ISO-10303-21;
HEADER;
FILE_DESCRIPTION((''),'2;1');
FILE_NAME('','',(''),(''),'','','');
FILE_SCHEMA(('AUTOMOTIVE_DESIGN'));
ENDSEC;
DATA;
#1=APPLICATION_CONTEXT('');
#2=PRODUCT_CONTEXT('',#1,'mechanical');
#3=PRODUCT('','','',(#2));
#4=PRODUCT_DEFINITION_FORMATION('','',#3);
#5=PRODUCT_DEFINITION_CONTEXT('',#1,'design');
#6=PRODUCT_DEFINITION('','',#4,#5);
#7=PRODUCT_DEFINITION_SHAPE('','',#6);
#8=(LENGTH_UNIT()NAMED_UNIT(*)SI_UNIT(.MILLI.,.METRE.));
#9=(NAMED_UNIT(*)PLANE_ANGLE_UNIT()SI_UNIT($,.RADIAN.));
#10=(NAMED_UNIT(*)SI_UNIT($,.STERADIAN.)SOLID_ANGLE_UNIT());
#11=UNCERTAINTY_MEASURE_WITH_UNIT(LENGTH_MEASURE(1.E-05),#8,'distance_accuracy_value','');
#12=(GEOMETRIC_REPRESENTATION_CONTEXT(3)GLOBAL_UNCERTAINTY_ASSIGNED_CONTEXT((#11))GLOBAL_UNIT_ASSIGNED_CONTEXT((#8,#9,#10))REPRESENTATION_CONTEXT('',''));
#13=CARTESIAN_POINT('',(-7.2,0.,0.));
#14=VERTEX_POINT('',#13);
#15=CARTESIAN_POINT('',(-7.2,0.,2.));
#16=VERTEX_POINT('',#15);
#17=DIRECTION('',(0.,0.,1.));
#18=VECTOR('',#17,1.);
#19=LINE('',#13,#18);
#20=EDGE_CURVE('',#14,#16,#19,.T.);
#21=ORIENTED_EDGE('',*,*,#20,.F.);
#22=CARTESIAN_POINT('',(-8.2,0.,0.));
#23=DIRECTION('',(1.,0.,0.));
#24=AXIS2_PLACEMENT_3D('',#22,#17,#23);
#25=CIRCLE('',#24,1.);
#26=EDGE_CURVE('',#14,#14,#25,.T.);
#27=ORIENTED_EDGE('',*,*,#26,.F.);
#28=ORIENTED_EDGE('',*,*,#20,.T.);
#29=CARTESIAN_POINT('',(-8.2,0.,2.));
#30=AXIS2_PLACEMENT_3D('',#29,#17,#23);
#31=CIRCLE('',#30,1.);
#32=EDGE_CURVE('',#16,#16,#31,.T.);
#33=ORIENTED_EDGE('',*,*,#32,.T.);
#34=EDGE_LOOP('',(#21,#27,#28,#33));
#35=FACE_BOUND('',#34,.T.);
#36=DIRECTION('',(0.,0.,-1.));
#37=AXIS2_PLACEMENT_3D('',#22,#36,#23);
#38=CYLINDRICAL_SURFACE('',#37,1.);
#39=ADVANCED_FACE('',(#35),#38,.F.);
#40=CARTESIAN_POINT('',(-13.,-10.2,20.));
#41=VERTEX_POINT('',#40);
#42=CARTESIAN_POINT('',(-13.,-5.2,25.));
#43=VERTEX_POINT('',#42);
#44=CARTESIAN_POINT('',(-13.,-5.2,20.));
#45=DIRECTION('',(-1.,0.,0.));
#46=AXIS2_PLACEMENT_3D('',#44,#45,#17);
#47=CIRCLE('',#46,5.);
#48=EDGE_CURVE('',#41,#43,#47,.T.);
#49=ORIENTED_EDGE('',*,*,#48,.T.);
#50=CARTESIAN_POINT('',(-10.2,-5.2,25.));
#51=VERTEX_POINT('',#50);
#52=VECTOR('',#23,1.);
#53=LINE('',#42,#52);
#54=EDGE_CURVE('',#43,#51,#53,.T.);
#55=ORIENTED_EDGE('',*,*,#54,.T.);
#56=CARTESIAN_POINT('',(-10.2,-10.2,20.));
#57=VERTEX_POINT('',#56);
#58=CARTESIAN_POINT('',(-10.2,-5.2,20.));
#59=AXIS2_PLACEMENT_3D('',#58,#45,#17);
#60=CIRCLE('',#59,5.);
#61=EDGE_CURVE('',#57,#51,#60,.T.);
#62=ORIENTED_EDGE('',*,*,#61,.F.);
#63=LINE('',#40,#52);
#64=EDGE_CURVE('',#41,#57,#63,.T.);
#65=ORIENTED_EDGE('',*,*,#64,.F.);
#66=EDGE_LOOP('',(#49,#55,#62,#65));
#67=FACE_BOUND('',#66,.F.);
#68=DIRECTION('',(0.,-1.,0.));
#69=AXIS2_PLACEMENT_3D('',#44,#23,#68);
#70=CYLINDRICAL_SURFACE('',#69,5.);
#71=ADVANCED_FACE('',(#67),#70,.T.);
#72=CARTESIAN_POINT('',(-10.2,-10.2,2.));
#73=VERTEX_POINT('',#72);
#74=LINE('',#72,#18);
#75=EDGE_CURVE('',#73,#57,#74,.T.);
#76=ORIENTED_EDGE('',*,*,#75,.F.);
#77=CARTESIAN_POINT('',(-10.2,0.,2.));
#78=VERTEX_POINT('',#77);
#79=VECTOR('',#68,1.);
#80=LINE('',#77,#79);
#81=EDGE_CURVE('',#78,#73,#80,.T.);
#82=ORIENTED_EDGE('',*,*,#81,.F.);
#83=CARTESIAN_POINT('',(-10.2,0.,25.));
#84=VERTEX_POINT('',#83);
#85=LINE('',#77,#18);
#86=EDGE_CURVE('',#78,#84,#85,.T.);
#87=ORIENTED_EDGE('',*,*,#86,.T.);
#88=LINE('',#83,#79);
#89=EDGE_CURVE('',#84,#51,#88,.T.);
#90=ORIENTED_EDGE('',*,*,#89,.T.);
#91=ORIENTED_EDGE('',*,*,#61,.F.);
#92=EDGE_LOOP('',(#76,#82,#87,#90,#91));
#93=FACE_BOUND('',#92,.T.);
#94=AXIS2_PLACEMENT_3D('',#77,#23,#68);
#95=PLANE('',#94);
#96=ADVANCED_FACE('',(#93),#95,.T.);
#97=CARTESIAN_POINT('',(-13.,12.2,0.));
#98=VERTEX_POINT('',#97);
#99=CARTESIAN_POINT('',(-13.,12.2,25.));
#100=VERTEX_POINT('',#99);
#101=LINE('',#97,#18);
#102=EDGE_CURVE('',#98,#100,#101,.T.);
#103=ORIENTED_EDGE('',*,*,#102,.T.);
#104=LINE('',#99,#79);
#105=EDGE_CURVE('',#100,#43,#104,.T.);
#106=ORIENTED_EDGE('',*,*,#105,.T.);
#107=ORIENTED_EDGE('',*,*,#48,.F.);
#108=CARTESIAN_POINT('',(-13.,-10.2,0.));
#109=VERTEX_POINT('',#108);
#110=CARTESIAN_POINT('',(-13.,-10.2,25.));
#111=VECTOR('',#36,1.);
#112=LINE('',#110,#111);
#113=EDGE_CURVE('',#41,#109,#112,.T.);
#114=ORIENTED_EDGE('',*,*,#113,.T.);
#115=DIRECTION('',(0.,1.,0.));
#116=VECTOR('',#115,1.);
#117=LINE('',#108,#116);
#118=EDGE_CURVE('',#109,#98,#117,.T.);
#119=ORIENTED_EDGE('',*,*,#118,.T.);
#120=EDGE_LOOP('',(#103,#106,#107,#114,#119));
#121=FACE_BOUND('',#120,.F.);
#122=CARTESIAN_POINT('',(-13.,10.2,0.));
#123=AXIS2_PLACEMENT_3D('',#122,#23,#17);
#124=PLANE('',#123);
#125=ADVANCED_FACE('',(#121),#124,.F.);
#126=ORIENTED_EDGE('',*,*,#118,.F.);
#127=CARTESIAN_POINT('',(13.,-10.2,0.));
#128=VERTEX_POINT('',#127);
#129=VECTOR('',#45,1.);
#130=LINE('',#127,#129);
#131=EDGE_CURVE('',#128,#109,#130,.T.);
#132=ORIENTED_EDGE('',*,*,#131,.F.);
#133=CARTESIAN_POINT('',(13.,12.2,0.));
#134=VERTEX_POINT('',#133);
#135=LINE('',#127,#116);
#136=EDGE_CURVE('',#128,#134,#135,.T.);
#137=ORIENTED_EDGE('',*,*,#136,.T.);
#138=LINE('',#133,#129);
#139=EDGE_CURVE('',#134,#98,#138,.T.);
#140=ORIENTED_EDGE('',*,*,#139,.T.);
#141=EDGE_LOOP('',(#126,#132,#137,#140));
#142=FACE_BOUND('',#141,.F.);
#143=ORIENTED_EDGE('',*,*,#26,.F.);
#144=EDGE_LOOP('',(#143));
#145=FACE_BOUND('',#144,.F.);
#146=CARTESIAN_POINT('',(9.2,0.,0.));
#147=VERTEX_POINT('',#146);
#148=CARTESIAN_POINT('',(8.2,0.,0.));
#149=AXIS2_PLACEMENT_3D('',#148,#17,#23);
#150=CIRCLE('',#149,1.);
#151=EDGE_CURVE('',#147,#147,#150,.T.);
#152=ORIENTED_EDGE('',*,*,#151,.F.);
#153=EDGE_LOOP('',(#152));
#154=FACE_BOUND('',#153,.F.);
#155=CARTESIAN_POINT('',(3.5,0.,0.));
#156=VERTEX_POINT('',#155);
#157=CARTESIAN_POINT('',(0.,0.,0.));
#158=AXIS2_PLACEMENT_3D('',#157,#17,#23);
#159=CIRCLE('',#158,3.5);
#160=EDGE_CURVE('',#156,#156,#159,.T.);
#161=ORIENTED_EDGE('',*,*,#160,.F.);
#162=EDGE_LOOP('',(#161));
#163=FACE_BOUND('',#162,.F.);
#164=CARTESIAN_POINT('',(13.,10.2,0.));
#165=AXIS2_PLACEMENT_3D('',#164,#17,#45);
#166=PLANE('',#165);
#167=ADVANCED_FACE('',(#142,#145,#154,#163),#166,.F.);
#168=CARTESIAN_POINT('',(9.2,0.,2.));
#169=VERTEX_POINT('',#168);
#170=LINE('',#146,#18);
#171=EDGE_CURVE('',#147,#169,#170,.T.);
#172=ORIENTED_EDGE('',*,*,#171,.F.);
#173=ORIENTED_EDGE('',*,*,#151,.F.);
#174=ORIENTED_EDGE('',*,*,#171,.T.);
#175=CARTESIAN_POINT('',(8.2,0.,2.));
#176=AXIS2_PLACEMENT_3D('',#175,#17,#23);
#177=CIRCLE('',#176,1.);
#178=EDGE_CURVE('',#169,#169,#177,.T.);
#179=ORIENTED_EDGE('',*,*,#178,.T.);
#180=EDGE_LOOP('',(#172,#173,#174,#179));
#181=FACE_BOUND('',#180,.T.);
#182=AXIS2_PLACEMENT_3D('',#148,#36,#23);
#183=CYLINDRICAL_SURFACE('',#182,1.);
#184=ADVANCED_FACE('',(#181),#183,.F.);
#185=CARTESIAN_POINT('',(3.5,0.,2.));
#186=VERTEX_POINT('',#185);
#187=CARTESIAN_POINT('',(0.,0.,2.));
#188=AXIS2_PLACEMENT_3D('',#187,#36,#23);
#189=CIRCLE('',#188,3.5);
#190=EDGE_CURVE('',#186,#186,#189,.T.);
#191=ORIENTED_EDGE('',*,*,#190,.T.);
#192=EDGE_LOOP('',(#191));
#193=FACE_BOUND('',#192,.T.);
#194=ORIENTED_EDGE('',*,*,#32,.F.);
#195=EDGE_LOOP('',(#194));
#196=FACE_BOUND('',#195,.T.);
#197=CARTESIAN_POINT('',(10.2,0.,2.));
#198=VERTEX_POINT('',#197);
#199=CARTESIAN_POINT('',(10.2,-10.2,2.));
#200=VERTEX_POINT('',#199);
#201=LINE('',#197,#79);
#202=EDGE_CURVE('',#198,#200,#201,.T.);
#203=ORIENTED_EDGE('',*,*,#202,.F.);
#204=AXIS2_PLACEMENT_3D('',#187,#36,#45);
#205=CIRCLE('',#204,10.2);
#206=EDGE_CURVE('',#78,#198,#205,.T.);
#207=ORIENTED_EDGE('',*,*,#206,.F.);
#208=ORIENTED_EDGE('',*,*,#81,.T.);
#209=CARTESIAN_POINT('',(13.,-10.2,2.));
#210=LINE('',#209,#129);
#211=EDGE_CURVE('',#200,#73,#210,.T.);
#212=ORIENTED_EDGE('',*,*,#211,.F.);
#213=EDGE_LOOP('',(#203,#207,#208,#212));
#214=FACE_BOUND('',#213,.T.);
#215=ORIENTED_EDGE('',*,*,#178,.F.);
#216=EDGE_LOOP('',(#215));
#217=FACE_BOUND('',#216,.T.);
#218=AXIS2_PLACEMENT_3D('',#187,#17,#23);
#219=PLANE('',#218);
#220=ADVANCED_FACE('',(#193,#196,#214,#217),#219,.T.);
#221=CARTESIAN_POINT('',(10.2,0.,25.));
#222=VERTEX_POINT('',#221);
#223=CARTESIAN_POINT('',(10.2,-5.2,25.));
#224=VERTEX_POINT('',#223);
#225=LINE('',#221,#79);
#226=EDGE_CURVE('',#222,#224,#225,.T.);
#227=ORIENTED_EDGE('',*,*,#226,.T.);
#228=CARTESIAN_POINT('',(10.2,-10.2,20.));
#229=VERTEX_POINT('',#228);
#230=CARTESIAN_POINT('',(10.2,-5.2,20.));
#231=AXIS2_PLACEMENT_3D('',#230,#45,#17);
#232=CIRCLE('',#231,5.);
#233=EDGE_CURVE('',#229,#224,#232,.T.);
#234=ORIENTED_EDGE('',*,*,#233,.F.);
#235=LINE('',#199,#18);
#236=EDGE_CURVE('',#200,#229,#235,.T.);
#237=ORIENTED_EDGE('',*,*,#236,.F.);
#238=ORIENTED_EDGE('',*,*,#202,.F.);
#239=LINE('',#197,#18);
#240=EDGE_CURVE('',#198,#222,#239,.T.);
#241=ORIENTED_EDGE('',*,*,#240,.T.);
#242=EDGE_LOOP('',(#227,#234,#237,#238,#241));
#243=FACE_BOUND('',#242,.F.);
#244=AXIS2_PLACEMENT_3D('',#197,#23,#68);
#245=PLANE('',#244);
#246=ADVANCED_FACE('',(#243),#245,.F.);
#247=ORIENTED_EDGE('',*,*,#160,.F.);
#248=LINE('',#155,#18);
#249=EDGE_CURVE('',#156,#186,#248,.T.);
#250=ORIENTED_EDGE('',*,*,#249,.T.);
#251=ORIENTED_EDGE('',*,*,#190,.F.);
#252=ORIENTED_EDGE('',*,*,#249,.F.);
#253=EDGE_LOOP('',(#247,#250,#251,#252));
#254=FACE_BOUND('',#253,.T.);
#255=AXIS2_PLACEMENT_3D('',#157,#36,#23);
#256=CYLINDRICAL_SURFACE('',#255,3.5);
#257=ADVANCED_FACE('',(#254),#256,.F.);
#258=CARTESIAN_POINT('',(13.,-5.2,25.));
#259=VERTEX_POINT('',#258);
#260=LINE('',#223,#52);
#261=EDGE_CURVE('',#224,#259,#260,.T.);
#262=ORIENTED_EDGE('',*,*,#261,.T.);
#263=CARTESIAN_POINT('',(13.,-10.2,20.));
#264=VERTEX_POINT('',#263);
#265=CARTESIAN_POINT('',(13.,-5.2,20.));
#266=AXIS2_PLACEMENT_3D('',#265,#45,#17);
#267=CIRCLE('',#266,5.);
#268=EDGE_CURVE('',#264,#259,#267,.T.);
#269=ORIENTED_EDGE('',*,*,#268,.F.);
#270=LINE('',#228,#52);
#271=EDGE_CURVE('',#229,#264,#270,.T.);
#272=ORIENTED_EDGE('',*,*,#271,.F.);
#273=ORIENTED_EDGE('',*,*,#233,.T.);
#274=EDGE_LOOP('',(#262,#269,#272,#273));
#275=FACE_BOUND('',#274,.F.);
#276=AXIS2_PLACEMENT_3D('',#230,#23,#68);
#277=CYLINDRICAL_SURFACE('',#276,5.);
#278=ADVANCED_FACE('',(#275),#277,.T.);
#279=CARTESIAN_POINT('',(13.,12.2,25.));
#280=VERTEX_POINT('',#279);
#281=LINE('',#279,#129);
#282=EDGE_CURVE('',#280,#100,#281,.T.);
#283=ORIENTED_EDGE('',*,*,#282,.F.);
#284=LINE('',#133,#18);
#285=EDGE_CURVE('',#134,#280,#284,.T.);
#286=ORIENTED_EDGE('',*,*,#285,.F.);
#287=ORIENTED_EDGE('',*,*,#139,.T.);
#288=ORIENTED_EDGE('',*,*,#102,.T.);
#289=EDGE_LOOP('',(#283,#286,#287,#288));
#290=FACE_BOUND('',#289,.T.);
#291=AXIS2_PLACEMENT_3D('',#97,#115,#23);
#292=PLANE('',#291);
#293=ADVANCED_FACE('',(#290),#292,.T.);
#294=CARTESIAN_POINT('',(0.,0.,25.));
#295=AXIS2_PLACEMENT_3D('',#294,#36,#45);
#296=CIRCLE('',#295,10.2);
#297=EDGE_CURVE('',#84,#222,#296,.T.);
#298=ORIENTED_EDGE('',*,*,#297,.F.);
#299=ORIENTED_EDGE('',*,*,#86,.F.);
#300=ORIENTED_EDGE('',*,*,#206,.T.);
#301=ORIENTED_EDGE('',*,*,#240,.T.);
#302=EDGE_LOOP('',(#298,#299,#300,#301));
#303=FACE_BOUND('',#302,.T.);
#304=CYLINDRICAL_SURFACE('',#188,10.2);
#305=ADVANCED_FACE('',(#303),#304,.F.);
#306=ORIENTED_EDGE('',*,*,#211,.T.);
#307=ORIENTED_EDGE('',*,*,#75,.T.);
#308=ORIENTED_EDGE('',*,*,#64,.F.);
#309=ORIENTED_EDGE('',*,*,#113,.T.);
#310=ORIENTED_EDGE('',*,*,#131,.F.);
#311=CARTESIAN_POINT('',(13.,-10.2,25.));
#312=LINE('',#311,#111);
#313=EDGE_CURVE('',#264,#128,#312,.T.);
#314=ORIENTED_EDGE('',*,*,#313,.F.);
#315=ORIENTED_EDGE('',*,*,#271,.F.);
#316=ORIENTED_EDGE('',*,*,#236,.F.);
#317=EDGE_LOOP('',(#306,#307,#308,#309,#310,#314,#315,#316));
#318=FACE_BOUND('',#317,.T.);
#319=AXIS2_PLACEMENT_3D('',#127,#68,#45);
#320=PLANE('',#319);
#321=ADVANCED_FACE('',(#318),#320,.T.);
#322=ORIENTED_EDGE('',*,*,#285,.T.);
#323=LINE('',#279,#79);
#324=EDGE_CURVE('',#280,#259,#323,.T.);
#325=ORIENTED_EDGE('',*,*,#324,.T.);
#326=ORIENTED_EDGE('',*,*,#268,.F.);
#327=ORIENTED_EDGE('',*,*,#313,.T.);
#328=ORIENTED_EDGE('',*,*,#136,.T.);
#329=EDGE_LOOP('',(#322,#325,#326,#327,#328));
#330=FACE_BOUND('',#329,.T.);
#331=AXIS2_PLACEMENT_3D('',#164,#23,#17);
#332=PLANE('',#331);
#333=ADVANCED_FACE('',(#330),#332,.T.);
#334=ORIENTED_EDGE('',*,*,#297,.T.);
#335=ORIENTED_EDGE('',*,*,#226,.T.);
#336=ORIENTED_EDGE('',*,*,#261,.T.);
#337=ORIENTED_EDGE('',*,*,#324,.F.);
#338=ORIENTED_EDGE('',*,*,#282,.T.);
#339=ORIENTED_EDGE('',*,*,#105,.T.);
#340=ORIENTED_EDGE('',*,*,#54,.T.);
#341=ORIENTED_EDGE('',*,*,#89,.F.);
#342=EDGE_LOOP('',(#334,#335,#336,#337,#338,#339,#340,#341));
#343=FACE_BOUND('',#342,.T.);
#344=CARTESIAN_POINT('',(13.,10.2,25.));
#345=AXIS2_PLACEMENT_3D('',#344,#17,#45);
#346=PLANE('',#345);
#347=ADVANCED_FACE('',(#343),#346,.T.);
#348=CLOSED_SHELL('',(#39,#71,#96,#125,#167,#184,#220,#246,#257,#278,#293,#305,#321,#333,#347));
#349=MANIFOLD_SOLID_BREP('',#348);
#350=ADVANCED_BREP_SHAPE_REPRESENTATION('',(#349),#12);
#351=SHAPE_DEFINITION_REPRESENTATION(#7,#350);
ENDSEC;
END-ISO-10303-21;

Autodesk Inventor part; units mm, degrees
ref_plane "YZ Plane" through (0, 0, 0) normal (1, 0, 0) x (0, 1, 0)
ref_plane "XZ Plane" through (0, 0, 0) normal (0, 1, 0) x (-1, 0, 0)
ref_plane "XY Plane" through (0, 0, 0) normal (0, 0, 1) x (1, 0, 0)
sketch "StranaDoKotaca" plane through (0, 0, 0) normal (0, 0, 1) x (1, 0, 0)
  arc A0 (10.2, 0) -> (-10.2, 0) centre (0, 0) ccw
  circle A1 centre (-8.2, 0) radius 1
  line L0 (0, 7.2936) -> (0, -4.9994)
  circle A2 centre (8.2, 0) radius 1
  circle A3 centre (0, 0) radius 3.5
  line L1 (-10.2, 0) -> (-13, 0)
  line L2 (10.2, 0) -> (13, 0)
  line L3 (-13, 0) -> (-13, -10.2)
  line L4 (13, 0) -> (13, -10.2)
  line L5 (13, -10.2) -> (-13, -10.2)
  line L6 (0, 10.2) -> (0, 13)
  line L7 (-13, 0) -> (-13, 10.2)
  line L8 (-13, 10.2) -> (13, 10.2)
  line L9 (13, 10.2) -> (13, 0)
  arc A4 (13, 0) -> (8.0598, 10.2) centre (0, 0) ccw
  arc A5 (-8.0598, 10.2) -> (-13, 0) centre (0, 0) ccw
  dimension "d0" = 20.4
  dimension "d4" = 2
  dimension "d5" = 7
  dimension "d6" = 10.2
  dimension "d7" = 10.2
extrude "BocnaStrana" add sketch "StranaDoKotaca" along normal blind 2
sketch "Sketch2" plane through (0, 0, 2) normal (0, 0, 1) x (1, 0, 0)
  arc A0 (10.2, 0) -> (-10.2, 0) centre (0, 0) ccw
  line L0 (-10.2, 0) -> (-10.2, -10.2)
  line L1 (-13, -10.2) -> (13, -10.2) projected
  line L2 (10.2, 0) -> (10.2, -10.2)
  line L3 (13, 10.2) -> (-13, 10.2) projected
  line L4 (-13, 10.2) -> (-13, -10.2) projected
  line L5 (13, -10.2) -> (13, 10.2) projected
  point P0 (0, 10.2)
  dimension "d12" = 20.4
extrude "Tijelo" add sketch "Sketch2" along normal blind 23 contours A0 L3 L5 L1 L2 | A0 L0 L1 L4 L3
fillet "Rubnik" radius 5 2 edges at (-11.6, -10.2, 25) (11.6, -10.2, 25)
sketch "Sketch3" plane through (-13, 10.2, 0) normal (0, 1, 0) x (1, 0, 0)
  line L0 (26, 0) -> (0, 0) projected
  line L1 (0, 0) -> (0, -25) projected
  line L2 (13, -25) -> (0, -25) projected
  line L3 (13, -2) -> (13, -25) projected
  line L4 (26, -25) -> (13, -25) projected
  line L5 (26, 0) -> (26, -25) projected
  point P0 (13, 0)
extrude "Extrusion3" add sketch "Sketch3" along normal blind 2
properties part number "DrzacZaMotor"
